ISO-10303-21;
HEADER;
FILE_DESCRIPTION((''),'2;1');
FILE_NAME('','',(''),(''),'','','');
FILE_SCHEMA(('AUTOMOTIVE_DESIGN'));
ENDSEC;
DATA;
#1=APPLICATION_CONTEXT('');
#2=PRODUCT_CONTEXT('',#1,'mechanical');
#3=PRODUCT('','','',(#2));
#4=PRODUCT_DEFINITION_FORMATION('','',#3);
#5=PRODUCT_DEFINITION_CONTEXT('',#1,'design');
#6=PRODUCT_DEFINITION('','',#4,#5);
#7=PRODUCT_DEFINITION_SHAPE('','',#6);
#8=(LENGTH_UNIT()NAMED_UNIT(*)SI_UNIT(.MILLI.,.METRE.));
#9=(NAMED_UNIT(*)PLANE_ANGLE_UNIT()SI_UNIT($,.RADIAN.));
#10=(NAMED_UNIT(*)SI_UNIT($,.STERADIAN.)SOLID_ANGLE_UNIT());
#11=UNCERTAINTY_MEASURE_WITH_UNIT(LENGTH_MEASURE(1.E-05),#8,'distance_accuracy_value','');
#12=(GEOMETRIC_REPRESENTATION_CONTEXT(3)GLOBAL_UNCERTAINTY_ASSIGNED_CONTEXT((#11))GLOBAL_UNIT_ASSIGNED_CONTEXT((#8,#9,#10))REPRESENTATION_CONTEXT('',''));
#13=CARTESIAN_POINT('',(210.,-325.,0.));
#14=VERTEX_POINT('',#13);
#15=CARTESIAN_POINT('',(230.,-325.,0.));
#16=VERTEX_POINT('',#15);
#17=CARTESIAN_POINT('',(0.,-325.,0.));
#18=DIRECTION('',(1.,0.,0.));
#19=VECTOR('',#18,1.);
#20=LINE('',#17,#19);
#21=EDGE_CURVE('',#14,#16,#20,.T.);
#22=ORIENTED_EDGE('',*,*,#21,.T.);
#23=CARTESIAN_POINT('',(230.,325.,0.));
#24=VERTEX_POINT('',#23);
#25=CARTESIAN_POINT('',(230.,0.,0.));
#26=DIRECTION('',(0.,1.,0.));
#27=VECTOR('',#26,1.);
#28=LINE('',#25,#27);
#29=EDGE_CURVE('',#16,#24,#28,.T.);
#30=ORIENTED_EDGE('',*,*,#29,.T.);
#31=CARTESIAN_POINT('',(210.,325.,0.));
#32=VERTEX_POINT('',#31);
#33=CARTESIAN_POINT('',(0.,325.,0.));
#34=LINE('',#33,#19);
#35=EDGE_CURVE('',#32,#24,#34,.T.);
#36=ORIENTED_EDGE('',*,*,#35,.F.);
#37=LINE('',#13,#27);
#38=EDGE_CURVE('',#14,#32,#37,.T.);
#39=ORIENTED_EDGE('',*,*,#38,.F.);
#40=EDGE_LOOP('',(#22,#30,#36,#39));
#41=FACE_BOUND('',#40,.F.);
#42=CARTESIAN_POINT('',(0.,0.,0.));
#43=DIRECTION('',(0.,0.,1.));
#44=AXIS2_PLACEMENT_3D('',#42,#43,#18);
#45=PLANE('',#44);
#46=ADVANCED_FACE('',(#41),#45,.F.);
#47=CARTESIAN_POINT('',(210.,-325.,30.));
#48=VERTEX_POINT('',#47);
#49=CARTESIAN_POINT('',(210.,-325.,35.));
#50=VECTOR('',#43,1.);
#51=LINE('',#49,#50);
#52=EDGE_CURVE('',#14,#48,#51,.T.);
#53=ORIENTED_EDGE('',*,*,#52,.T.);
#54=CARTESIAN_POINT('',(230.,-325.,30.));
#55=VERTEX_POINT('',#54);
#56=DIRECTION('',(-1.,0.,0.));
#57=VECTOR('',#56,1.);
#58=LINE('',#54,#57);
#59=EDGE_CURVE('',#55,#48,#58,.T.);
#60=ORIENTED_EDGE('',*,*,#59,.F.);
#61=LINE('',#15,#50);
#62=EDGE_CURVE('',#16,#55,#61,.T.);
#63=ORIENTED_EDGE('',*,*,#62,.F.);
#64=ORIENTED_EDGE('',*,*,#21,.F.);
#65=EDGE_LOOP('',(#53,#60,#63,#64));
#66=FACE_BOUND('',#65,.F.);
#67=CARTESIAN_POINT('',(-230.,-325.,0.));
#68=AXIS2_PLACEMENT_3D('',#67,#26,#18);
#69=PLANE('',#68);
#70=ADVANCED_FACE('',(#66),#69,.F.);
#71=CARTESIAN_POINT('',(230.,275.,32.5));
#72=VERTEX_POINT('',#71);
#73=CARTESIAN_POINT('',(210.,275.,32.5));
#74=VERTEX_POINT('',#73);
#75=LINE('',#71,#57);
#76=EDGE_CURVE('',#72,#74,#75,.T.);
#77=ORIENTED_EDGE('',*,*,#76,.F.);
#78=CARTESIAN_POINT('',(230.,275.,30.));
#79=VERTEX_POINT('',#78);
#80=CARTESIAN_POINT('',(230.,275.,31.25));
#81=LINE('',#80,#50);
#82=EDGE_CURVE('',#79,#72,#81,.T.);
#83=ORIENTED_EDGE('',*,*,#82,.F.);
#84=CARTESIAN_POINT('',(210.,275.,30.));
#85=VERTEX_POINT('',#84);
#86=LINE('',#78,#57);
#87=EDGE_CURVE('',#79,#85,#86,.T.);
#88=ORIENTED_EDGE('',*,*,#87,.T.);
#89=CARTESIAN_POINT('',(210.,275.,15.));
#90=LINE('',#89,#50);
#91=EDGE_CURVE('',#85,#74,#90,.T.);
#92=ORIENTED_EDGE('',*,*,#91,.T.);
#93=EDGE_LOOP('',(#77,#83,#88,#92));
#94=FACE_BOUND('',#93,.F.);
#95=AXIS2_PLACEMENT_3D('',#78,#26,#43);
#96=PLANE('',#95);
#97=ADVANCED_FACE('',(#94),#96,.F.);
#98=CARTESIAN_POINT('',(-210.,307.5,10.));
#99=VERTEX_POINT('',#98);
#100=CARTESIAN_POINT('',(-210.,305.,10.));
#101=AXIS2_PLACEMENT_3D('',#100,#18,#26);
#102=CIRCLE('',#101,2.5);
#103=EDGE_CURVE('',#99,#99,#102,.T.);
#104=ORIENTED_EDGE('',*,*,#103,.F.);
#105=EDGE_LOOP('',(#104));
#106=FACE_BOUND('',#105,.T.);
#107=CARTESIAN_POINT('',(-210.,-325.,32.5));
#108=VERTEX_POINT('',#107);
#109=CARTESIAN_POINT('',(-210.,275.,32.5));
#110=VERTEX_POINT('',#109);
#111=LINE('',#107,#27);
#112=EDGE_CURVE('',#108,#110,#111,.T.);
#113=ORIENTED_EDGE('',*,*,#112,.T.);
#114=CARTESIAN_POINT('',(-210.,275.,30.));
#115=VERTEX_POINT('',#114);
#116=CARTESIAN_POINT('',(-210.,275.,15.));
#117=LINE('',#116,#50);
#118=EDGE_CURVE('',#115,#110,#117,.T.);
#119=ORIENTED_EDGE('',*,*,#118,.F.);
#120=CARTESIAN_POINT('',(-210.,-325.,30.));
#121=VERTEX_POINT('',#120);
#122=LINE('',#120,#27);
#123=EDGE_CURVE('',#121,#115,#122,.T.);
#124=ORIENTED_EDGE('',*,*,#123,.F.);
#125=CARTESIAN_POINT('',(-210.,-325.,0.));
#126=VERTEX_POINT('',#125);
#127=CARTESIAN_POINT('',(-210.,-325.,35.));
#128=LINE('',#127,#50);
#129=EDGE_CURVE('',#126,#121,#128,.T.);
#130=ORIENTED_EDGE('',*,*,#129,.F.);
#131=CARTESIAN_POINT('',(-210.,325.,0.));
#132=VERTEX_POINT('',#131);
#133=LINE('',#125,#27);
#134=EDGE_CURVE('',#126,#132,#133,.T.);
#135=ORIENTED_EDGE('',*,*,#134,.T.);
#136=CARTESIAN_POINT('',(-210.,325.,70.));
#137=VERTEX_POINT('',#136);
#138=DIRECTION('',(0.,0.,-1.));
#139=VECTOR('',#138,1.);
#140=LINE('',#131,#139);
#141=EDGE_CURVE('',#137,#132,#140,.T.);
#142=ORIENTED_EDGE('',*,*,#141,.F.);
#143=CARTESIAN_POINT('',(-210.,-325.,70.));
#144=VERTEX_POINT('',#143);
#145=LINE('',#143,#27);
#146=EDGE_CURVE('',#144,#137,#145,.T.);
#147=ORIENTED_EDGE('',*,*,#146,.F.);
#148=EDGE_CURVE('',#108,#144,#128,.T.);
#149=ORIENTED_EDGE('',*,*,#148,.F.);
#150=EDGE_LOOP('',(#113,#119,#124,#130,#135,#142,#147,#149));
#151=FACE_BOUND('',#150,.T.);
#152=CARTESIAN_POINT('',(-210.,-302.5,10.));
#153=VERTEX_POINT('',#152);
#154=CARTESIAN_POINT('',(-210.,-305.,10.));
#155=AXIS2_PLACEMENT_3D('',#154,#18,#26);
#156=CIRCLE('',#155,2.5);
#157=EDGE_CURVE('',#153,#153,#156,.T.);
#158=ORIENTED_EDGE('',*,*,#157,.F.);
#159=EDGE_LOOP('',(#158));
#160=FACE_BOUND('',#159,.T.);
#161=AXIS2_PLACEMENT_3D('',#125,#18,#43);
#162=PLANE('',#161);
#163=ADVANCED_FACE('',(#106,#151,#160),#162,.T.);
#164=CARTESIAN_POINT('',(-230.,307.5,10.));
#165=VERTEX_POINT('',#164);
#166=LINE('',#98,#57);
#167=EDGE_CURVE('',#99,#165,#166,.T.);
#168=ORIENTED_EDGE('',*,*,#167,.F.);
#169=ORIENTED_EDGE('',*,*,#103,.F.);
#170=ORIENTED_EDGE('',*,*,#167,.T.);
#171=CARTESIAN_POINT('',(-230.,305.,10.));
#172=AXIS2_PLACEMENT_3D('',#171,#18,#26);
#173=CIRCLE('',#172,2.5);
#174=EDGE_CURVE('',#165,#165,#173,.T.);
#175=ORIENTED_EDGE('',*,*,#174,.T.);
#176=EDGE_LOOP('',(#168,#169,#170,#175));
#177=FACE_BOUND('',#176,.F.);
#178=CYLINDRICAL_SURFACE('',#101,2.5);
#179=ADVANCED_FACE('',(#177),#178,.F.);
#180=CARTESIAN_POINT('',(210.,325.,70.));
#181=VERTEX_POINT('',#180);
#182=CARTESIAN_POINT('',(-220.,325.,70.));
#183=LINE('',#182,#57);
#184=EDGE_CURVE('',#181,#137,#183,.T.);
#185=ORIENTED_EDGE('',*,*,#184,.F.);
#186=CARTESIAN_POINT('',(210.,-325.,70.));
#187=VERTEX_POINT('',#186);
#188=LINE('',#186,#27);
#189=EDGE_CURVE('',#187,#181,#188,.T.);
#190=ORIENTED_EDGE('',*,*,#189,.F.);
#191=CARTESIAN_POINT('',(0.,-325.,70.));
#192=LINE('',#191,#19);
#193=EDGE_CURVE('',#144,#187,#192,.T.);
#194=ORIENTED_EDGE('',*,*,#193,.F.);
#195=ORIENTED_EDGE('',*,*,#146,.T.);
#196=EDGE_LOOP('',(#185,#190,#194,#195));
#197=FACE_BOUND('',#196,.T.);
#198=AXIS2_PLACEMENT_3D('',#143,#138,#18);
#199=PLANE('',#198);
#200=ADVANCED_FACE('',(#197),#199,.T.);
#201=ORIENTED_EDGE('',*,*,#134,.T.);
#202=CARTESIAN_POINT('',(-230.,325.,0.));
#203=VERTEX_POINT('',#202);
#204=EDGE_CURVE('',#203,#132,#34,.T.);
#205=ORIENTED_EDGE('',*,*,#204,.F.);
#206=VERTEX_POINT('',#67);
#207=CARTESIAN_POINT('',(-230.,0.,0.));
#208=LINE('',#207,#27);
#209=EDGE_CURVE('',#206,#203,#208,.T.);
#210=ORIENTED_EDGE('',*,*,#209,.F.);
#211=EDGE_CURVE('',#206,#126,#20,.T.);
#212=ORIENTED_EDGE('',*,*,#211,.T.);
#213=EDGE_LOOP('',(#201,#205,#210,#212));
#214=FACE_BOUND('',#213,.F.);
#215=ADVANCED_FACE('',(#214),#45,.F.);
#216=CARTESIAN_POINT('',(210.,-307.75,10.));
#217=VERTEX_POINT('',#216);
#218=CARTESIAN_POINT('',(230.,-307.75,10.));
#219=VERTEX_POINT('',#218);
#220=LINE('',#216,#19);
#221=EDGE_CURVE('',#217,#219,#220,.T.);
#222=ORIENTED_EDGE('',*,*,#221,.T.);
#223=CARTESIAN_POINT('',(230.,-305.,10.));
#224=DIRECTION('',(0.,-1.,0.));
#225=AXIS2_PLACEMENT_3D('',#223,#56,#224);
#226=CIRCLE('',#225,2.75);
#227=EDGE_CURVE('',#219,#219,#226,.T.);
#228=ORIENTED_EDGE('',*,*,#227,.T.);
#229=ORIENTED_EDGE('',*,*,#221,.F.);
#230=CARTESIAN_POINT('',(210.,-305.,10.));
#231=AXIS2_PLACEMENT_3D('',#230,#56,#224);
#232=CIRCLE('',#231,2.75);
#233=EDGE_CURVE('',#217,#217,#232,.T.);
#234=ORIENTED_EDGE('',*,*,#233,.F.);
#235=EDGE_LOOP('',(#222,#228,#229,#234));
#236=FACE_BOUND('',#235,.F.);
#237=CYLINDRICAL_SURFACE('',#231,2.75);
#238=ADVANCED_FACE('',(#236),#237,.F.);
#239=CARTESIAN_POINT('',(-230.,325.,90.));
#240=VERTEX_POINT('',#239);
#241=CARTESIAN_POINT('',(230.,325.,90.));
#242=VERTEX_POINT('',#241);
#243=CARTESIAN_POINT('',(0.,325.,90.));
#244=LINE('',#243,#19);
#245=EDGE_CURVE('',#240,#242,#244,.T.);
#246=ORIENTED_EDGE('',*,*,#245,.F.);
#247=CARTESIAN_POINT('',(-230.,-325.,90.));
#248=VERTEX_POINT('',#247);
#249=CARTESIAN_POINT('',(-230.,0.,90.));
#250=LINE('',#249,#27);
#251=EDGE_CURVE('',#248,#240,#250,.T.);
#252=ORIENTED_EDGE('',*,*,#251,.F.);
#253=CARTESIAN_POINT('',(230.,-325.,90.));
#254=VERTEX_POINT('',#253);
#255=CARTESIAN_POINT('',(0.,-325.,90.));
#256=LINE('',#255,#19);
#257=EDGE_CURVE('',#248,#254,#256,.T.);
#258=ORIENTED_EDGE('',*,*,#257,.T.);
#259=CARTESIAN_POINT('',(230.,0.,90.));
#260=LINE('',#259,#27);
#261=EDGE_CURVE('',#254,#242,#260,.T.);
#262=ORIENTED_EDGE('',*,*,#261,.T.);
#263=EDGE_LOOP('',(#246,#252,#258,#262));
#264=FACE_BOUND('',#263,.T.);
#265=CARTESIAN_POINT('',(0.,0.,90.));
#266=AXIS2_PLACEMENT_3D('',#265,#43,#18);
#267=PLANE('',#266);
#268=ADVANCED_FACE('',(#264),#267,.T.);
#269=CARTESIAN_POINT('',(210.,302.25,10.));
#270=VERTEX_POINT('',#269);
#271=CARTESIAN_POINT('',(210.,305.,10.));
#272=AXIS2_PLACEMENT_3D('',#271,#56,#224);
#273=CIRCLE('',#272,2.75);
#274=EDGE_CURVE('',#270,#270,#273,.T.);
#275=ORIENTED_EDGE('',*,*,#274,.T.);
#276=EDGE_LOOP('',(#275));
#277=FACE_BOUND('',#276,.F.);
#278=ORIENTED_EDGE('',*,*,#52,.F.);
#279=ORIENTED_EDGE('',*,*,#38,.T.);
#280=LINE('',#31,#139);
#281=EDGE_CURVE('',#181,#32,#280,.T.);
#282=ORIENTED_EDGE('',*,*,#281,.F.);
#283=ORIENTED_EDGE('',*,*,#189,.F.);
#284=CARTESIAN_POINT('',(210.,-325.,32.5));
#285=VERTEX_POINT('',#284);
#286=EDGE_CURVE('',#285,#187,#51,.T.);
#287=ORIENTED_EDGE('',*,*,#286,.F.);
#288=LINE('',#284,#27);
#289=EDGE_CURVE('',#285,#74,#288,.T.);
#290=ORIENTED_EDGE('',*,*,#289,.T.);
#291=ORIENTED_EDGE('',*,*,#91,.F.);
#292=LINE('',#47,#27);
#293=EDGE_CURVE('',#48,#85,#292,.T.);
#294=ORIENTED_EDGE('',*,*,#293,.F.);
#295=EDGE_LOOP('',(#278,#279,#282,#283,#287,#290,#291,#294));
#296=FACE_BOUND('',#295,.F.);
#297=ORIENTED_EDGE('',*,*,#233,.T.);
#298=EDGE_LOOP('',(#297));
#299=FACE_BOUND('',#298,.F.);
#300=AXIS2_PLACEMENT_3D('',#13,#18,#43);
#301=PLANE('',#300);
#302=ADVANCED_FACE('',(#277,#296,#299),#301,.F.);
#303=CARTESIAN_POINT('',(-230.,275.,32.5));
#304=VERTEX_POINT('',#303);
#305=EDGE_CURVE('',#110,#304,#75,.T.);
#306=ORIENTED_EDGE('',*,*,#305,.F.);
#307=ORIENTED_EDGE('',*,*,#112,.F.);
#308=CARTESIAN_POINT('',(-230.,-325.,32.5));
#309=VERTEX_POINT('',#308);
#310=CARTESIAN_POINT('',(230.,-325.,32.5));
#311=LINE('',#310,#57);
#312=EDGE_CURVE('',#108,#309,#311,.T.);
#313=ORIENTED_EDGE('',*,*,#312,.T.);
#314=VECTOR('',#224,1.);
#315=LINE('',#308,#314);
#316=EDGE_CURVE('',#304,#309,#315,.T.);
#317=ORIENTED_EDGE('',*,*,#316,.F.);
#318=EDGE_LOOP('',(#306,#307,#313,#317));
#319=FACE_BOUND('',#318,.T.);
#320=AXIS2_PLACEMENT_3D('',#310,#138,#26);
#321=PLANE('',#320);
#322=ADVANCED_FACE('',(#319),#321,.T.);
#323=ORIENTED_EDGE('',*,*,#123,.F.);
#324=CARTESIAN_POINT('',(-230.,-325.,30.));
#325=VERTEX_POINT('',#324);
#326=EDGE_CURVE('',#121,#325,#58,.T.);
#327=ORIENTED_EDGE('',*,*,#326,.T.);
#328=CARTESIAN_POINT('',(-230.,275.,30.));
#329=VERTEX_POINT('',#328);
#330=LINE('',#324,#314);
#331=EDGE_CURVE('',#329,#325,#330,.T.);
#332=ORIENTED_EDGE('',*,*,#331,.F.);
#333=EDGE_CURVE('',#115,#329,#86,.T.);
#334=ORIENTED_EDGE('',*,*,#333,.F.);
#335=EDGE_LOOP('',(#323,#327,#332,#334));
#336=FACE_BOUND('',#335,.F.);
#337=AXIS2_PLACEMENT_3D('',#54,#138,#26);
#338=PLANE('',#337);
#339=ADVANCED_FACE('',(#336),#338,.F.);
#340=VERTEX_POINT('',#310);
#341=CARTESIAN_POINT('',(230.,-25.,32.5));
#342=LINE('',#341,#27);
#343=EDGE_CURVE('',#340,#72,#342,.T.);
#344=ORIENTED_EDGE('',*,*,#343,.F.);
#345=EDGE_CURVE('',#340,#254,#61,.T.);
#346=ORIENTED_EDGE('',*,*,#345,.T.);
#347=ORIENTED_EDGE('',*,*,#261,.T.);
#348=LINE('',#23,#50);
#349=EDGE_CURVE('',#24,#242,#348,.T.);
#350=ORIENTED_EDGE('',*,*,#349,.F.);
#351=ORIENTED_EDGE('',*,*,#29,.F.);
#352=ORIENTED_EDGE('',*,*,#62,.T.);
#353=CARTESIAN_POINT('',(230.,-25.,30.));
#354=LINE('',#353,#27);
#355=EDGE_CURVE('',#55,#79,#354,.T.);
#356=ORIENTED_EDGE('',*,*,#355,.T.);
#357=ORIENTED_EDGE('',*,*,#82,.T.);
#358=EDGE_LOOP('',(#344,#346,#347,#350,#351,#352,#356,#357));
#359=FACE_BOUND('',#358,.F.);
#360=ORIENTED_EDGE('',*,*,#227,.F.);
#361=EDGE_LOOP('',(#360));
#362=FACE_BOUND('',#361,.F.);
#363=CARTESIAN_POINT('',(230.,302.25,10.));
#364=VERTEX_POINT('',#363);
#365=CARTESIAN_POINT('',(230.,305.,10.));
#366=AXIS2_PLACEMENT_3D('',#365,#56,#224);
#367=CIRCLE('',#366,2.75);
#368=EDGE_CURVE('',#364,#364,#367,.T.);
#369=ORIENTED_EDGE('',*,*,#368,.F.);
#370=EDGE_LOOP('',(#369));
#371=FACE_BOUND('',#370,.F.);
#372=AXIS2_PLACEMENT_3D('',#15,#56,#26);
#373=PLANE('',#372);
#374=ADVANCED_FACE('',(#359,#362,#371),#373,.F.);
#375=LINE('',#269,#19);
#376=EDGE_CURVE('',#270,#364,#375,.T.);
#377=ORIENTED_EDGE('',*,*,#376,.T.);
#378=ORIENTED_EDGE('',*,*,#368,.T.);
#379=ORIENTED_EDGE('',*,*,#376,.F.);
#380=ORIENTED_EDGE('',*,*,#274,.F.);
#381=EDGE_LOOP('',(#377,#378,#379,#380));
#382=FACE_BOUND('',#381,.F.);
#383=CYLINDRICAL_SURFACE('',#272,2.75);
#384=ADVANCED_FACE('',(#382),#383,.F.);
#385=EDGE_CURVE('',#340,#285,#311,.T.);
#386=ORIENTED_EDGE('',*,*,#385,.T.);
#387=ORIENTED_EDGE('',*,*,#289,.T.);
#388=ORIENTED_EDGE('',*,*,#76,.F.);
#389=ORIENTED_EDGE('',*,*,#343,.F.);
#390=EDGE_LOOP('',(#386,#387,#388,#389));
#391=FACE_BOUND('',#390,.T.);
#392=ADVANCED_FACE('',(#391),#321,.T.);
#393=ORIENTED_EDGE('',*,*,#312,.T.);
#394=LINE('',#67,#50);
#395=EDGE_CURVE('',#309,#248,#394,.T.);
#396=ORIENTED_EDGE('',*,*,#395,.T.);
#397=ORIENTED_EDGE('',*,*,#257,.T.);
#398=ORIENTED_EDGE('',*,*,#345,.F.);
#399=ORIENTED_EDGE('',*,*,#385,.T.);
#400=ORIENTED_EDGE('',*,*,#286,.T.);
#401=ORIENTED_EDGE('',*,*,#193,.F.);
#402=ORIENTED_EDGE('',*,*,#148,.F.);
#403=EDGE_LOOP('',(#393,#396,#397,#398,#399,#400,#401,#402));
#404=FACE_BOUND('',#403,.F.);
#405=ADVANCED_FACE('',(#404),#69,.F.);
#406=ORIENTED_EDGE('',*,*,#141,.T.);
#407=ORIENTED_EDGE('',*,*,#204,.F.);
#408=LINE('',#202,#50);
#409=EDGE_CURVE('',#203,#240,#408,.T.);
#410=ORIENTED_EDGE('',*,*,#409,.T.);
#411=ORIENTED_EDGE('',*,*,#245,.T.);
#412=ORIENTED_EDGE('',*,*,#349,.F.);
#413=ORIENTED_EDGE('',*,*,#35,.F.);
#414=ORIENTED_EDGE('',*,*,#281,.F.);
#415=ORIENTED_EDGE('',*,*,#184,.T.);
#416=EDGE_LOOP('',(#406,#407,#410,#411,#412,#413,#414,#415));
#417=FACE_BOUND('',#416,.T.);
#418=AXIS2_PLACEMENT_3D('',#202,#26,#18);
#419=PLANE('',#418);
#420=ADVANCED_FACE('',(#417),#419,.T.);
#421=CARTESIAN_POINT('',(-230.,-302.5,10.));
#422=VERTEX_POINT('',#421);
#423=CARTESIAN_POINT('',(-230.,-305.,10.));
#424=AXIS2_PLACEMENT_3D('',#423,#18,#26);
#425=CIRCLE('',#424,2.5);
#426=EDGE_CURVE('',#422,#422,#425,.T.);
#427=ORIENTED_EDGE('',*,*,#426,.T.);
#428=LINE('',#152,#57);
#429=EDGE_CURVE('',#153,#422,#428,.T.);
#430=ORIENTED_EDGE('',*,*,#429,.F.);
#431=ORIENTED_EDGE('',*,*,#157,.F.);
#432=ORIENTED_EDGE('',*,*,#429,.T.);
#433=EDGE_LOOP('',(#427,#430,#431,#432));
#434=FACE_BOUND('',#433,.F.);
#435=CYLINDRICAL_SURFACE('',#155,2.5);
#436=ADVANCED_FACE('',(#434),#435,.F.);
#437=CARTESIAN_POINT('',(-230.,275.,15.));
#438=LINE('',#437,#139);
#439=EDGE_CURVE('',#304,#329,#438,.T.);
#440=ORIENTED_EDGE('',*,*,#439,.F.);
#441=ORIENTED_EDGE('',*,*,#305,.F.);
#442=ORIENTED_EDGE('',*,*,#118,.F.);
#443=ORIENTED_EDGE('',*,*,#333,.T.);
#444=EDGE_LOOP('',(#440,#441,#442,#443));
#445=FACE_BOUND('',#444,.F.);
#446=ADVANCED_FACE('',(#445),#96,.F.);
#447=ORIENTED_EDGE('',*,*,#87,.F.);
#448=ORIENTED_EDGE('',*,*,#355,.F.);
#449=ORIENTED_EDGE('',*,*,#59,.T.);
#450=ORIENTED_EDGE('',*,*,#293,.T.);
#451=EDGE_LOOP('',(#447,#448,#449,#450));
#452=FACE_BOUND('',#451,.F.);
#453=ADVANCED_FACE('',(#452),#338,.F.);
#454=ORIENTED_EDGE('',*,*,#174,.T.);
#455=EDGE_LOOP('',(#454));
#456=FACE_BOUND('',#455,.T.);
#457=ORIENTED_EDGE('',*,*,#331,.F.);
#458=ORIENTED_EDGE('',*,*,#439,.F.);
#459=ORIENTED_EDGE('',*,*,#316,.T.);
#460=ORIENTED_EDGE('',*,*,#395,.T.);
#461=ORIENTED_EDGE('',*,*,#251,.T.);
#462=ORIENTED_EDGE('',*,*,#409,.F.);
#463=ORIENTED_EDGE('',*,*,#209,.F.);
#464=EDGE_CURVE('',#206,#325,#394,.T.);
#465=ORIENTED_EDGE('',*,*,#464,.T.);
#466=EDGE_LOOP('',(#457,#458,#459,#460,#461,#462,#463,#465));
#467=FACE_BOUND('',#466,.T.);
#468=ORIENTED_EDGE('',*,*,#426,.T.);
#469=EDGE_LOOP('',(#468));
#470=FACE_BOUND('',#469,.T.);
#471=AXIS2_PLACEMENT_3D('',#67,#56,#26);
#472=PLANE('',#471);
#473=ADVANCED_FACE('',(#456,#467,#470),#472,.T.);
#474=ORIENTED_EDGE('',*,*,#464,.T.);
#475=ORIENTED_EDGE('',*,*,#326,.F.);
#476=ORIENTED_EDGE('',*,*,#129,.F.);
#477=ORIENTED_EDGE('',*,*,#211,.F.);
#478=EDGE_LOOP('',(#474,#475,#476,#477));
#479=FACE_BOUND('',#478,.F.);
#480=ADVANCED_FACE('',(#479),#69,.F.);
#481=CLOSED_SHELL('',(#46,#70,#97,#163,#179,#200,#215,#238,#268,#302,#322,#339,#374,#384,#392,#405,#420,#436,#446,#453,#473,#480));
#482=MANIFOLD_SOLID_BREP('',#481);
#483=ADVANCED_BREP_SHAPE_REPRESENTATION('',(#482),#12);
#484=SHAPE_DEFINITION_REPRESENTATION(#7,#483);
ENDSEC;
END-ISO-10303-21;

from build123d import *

# Parameters (mm, degrees)
F0_W     = 460
F0_H     = 650
F1_DEPTH = 90
F2_W     = 420
F2_H     = 70
F3_DEPTH = 650.001
F4_W     = 600
F4_H     = 2.5
F5_DEPTH = 460.001
F7_D     = 5
F7_DEPTH = 20.001
F9_D     = 5.5
F9_DEPTH = 20.001


with BuildPart() as f1:
    # F0 (on Top) → F1 (new body)
    with BuildSketch(Plane.XY):
        Rectangle(F0_W, F0_H)
    extrude(amount=F1_DEPTH)

    # F2 (on face) → F3 (cut, through all)
    with BuildSketch(Plane.XZ.offset(325)):
        with Locations((0, 35)):
            Rectangle(F2_W, F2_H)
    extrude(amount=-F3_DEPTH, mode=Mode.SUBTRACT)

    # F4 (on face) → F5 (cut, through all)
    with BuildSketch(Plane.YZ.offset(230)):
        with Locations((-25, 31.25)):
            Rectangle(F4_W, F4_H)
    extrude(amount=-F5_DEPTH, mode=Mode.SUBTRACT)

    # F7 (through all, one way)
    with BuildSketch(Plane.YZ.offset(-210)):
        with Locations((-305, 10), (305, 10)):
            Circle(F7_D / 2)
    extrude(amount=-F7_DEPTH, mode=Mode.SUBTRACT)

    # F9 (through all, one way)
    with BuildSketch(Plane(origin=(210, 0, 0), x_dir=(0, -1, 0), z_dir=(-1, 0, 0))):
        with Locations((305, 10), (-305, 10)):
            Circle(F9_D / 2)
    extrude(amount=-F9_DEPTH, mode=Mode.SUBTRACT)


solid = f1.part
